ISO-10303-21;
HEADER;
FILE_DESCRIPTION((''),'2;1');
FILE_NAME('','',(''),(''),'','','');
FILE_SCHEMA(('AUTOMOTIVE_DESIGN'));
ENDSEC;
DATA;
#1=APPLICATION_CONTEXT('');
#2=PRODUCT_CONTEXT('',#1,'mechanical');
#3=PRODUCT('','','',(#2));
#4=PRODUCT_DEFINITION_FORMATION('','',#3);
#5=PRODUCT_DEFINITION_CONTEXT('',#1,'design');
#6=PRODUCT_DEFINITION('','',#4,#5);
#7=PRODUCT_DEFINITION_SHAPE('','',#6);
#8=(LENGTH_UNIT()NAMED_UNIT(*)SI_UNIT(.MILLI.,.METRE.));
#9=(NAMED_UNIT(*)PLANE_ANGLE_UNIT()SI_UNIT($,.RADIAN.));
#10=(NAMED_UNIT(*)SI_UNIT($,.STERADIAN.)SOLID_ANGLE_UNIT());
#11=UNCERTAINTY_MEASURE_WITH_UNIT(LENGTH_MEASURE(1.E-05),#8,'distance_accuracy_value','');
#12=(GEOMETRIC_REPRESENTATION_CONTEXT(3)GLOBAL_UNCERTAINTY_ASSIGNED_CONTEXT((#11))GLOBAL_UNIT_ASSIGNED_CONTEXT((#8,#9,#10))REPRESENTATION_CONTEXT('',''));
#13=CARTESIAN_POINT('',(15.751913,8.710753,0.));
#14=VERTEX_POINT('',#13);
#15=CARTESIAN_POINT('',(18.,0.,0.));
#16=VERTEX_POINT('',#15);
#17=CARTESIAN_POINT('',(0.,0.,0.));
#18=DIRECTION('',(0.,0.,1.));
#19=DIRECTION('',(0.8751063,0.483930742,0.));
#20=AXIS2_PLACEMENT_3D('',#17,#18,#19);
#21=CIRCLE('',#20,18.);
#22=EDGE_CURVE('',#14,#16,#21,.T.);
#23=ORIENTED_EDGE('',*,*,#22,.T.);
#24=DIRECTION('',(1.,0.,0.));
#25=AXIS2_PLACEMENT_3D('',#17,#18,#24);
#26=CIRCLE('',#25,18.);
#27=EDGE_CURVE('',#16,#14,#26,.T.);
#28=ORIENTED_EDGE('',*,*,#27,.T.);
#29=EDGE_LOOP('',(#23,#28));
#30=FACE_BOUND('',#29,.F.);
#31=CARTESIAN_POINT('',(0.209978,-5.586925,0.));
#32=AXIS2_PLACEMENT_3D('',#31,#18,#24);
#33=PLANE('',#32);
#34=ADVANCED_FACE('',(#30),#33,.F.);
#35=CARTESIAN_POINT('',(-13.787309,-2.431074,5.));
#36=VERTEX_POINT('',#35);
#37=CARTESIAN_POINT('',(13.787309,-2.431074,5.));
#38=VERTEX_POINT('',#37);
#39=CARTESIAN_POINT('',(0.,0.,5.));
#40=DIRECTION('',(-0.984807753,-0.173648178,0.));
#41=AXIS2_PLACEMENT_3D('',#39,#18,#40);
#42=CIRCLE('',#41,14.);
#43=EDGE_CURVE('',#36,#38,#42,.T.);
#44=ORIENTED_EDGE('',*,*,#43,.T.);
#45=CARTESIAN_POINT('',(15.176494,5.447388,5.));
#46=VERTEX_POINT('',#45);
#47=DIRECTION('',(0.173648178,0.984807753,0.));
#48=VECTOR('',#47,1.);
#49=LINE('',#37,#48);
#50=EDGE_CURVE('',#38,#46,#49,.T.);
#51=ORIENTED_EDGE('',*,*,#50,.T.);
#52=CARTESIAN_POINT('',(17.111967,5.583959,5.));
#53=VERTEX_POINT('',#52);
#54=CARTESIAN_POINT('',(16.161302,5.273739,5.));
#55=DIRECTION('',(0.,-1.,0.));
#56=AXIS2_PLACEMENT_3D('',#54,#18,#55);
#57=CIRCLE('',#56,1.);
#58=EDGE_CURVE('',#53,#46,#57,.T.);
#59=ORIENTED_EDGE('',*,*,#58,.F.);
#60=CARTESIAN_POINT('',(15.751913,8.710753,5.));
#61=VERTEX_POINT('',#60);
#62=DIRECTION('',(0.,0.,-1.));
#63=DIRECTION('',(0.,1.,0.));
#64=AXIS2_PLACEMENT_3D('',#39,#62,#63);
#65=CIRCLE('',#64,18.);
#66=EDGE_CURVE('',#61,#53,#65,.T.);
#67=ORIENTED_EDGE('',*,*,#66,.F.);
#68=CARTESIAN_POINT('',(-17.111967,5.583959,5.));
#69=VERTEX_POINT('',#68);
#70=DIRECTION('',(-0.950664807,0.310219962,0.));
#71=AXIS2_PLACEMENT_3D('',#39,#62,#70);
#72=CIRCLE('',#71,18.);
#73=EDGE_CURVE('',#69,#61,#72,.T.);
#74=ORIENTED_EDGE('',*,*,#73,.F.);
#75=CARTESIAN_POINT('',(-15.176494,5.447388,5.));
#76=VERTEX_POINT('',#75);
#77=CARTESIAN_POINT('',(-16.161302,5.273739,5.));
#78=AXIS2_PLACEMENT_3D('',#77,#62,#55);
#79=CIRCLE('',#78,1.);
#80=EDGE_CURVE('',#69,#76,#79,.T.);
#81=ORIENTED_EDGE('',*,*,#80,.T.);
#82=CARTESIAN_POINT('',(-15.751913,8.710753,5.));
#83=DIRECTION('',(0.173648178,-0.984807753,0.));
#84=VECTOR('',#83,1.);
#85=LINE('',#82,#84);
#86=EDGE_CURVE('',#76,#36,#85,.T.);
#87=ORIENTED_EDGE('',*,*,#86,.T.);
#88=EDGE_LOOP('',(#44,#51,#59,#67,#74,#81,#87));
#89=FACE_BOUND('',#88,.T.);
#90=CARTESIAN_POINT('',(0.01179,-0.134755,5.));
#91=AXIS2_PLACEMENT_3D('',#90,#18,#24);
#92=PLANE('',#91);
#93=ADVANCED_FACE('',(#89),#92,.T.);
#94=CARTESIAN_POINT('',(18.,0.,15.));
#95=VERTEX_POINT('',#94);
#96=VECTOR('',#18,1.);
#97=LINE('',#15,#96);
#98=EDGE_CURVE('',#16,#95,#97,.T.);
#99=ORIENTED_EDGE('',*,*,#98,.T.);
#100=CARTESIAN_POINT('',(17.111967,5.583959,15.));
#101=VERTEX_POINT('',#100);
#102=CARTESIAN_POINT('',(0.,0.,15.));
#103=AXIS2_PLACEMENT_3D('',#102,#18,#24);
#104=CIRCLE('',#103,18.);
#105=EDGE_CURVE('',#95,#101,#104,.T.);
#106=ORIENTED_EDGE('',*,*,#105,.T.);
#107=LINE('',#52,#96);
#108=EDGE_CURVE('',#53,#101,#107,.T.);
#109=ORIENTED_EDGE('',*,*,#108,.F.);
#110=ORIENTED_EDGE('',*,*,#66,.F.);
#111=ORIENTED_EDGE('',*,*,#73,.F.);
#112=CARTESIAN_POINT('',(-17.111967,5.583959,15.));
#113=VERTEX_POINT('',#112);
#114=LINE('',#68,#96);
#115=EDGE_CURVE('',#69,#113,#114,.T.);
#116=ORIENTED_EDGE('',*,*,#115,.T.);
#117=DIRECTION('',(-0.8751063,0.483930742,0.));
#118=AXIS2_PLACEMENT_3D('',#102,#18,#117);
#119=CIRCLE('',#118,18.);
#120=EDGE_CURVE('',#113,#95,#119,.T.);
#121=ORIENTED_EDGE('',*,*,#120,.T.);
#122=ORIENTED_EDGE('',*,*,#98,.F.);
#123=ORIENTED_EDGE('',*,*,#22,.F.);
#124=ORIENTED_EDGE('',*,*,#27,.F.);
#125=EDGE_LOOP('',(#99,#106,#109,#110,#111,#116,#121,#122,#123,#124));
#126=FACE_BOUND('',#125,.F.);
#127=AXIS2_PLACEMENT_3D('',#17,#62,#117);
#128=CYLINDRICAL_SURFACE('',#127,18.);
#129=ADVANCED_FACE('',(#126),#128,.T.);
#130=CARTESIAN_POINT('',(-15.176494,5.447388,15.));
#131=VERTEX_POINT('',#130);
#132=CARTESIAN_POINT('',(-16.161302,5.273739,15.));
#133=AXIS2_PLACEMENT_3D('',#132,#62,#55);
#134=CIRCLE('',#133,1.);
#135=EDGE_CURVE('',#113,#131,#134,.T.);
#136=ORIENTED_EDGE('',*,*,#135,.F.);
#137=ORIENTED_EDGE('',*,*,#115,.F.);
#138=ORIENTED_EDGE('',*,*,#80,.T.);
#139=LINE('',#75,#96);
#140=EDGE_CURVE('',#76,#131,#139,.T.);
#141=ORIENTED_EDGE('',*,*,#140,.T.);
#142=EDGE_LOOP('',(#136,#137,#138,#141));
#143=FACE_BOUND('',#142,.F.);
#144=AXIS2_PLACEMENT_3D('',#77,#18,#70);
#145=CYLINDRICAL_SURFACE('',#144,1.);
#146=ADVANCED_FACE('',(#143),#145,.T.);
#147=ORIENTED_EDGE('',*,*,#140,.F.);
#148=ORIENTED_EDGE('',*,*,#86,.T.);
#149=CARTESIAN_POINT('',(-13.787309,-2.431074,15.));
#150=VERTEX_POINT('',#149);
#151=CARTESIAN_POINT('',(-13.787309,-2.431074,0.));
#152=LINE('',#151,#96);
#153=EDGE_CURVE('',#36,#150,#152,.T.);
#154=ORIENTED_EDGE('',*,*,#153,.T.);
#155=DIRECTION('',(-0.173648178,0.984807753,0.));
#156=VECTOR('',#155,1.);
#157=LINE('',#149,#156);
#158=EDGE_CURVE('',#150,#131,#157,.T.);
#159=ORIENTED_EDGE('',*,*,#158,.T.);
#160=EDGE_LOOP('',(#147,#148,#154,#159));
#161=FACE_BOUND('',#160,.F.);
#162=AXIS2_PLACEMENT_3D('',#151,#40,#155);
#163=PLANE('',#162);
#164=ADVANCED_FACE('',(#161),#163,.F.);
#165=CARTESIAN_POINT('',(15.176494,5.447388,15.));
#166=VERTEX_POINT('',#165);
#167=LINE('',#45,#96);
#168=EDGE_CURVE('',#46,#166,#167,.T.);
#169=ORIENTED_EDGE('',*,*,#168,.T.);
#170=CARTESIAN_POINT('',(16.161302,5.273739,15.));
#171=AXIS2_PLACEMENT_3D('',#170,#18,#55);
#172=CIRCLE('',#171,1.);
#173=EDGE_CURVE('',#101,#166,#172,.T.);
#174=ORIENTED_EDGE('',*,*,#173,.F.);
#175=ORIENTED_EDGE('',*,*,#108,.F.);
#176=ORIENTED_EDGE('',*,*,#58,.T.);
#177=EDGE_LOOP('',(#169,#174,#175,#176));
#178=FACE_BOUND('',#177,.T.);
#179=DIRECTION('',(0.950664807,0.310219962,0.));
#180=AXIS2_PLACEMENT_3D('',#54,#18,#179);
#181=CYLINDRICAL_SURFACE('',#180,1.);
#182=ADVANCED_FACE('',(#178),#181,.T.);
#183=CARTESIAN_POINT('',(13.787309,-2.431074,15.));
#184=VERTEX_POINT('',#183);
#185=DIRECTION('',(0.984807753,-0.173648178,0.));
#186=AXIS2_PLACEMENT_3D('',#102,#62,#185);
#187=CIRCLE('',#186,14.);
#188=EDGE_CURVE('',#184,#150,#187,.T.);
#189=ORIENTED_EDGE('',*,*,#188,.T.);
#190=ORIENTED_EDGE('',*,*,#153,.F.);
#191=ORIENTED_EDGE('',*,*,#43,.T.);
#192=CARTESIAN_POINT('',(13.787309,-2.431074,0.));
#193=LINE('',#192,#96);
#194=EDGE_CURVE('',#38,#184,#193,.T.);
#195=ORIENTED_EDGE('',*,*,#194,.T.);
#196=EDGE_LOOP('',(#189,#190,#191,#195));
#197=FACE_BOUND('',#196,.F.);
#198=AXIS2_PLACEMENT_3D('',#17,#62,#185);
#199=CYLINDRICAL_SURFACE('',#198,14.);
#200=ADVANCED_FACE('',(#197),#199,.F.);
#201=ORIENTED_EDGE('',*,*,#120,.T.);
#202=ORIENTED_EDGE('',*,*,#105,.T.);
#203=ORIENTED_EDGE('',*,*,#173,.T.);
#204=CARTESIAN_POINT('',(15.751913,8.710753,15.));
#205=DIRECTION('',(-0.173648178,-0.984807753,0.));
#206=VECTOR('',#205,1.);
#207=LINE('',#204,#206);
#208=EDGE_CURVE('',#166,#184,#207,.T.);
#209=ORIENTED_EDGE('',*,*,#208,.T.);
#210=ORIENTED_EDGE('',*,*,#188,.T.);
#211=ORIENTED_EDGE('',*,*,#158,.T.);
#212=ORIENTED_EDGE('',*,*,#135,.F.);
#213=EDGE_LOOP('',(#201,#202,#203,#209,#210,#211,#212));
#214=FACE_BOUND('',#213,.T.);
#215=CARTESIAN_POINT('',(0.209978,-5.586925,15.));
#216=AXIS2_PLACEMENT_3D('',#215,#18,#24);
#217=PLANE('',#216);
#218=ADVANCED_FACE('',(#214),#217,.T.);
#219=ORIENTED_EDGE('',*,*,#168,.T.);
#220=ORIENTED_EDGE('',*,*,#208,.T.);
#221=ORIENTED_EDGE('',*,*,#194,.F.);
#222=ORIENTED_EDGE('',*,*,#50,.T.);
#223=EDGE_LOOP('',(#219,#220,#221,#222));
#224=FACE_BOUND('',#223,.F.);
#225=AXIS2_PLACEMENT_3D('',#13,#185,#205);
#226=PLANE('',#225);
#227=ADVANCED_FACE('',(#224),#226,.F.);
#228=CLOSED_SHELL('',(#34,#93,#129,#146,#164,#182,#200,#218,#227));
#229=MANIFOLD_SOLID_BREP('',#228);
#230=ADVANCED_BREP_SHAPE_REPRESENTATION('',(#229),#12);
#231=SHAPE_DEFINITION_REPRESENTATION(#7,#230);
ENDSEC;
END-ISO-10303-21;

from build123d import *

# Parameters (mm, degrees)
F1_DEPTH = 5
F2_DEPTH = 15
F3_R     = 1


with BuildPart() as f1:
    # F0 (on Top) → F1 (new body)
    with BuildSketch(Plane.XY):
        with BuildLine():
            ThreePointArc((-13.7873085422, -2.4310744873), (0, -14), (13.7873085422, -2.4310744873))
            ThreePointArc((13.7873085422, -2.4310744873), (13.9467257733, -1.2201803985), (14, 0))
            ThreePointArc((14, 0), (-1.2201803985, 13.9467257733), (-13.7873085422, -2.4310744873))
        make_face()
        with BuildLine():
            Line((13.7873085422, -2.4310744873), (15.7519134057, 8.7107533578))
            ThreePointArc((15.7519134057, 8.7107533578), (0, 18), (-15.7519134057, 8.7107533578))
            Line((-15.7519134057, 8.7107533578), (-13.7873085422, -2.4310744873))
            ThreePointArc((-13.7873085422, -2.4310744873), (-1.2201803985, 13.9467257733), (14, 0))
            ThreePointArc((14, 0), (13.9467257733, -1.2201803985), (13.7873085422, -2.4310744873))
        make_face()
    extrude(amount=F1_DEPTH)

    # F0 (on Top) → F2 (join)
    with BuildSketch(Plane.XY):
        with BuildLine():
            ThreePointArc((-15.7519134057, 8.7107533578), (-4.4980861874, -17.4289190902), (18, 0))
            ThreePointArc((18, 0), (17.4289190902, 4.4980861874), (15.7519134057, 8.7107533578))
            Line((15.7519134057, 8.7107533578), (13.7873085422, -2.4310744873))
            ThreePointArc((13.7873085422, -2.4310744873), (0, -14), (-13.7873085422, -2.4310744873))
            Line((-13.7873085422, -2.4310744873), (-15.7519134057, 8.7107533578))
        make_face()
    extrude(amount=F2_DEPTH)

    # F3
    f3_edges = [f1.edges().sort_by_distance(p)[0] for p in [
        (-15.751913, 8.710753, 10),
        (15.751913, 8.710753, 10),
    ]]
    fillet(f3_edges, radius=F3_R)


solid = f1.part
